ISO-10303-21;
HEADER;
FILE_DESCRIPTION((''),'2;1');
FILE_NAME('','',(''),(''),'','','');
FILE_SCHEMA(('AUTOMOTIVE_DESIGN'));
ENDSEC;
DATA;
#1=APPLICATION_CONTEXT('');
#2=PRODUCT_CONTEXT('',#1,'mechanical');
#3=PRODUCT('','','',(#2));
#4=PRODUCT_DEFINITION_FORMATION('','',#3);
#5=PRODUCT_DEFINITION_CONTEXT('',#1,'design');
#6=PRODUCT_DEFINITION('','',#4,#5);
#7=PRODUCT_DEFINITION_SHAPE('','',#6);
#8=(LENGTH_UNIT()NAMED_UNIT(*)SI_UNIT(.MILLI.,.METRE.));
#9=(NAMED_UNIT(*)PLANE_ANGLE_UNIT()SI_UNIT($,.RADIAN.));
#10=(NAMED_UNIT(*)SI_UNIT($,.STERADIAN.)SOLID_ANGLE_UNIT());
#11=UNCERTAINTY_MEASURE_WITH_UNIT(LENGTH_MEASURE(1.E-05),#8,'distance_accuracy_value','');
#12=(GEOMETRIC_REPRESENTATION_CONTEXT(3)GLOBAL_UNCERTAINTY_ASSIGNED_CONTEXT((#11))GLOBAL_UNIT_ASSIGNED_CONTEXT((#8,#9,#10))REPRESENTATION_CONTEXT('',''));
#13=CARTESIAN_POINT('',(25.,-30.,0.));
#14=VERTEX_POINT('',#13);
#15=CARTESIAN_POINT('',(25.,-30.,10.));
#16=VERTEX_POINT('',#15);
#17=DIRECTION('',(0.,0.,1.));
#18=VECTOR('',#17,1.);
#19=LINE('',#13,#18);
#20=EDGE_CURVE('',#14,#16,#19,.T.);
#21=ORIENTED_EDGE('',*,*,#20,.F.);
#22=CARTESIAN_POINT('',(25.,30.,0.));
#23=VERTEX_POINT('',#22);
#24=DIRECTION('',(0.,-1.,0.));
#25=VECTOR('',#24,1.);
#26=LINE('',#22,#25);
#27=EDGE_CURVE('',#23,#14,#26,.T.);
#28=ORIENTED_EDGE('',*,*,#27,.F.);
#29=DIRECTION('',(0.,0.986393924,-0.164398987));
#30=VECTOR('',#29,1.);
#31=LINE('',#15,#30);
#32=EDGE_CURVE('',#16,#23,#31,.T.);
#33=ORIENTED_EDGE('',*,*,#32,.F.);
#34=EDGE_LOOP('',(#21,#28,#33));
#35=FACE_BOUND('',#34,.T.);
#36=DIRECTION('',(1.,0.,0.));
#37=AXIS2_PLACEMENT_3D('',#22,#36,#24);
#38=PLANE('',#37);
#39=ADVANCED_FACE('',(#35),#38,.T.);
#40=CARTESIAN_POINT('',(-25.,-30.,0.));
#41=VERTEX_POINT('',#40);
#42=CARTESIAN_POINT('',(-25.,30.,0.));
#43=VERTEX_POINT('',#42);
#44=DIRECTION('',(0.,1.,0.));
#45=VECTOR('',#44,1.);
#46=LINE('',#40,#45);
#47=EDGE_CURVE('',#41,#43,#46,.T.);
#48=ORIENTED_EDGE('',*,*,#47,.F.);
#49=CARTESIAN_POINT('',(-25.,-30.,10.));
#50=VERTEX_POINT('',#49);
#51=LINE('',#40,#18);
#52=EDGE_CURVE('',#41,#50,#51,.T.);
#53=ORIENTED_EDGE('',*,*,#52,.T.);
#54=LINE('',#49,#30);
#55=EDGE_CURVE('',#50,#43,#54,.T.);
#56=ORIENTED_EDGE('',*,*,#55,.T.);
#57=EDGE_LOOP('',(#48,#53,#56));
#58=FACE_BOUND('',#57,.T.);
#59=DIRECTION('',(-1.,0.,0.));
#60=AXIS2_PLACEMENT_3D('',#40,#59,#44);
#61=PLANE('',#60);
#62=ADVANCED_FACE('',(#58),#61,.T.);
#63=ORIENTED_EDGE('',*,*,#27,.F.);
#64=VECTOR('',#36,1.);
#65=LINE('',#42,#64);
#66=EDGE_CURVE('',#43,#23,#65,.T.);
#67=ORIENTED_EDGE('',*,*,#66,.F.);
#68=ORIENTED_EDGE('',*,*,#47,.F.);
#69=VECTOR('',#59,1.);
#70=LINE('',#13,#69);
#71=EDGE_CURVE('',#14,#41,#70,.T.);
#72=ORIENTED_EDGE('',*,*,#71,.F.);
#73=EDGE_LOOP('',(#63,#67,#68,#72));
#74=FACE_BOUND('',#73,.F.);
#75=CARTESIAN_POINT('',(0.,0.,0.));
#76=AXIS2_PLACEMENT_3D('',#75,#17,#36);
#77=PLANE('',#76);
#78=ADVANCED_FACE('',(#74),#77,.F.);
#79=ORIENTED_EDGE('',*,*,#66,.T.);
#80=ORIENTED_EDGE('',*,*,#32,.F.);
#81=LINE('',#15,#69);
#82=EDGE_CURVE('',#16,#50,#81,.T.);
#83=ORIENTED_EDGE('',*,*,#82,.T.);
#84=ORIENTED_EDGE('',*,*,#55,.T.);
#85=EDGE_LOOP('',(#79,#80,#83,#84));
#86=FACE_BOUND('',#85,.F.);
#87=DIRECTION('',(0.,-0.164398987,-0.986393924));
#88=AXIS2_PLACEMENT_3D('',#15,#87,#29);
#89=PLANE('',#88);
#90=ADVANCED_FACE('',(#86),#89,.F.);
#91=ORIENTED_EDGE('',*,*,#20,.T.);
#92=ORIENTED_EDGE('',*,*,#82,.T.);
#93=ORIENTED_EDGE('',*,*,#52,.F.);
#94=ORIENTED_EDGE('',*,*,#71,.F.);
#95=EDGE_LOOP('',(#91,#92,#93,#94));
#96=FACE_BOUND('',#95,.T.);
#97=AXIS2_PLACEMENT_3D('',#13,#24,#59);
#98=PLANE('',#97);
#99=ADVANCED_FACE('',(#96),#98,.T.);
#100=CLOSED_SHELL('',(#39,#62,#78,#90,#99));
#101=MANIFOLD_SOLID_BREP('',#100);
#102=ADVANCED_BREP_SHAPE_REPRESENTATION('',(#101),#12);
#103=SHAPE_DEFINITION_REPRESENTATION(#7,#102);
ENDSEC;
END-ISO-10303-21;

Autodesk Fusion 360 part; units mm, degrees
sketch "Sketch1" plane through (0, 0, 0) normal (0, 0, 1) x (1, 0, 0)
  line L0 (25, -30) -> (-25, -30)
  line L1 (-25, -30) -> (-25, 30)
  line L2 (-25, 30) -> (25, 30)
  line L3 (25, 30) -> (25, -30)
  line L4 (25, -30) -> (-25, 30) construction
  line L5 (-25, -30) -> (25, 30) construction
  dimension "d1" = 50
  dimension "d2" = 60
extrude "Extrude1" add sketch "Sketch1" along normal blind 10
sketch "Sketch2" plane through (25, 0, 0) normal (1, 0, 0) x (0, 1, 0)
  line L0 (-30, 0) -> (30, 0)
  line L1 (30, 0) -> (30, 10)
  line L2 (30, 10) -> (-30, 10)
  line L3 (-30, 10) -> (-30, 0)
  line L4 (-30, 10) -> (30, 0)
  line L5 (30, 10) -> (-30, 10)
extrude "Extrude2" cut sketch "Sketch2" against normal blind 50 contours L1 L2 L4 L5
